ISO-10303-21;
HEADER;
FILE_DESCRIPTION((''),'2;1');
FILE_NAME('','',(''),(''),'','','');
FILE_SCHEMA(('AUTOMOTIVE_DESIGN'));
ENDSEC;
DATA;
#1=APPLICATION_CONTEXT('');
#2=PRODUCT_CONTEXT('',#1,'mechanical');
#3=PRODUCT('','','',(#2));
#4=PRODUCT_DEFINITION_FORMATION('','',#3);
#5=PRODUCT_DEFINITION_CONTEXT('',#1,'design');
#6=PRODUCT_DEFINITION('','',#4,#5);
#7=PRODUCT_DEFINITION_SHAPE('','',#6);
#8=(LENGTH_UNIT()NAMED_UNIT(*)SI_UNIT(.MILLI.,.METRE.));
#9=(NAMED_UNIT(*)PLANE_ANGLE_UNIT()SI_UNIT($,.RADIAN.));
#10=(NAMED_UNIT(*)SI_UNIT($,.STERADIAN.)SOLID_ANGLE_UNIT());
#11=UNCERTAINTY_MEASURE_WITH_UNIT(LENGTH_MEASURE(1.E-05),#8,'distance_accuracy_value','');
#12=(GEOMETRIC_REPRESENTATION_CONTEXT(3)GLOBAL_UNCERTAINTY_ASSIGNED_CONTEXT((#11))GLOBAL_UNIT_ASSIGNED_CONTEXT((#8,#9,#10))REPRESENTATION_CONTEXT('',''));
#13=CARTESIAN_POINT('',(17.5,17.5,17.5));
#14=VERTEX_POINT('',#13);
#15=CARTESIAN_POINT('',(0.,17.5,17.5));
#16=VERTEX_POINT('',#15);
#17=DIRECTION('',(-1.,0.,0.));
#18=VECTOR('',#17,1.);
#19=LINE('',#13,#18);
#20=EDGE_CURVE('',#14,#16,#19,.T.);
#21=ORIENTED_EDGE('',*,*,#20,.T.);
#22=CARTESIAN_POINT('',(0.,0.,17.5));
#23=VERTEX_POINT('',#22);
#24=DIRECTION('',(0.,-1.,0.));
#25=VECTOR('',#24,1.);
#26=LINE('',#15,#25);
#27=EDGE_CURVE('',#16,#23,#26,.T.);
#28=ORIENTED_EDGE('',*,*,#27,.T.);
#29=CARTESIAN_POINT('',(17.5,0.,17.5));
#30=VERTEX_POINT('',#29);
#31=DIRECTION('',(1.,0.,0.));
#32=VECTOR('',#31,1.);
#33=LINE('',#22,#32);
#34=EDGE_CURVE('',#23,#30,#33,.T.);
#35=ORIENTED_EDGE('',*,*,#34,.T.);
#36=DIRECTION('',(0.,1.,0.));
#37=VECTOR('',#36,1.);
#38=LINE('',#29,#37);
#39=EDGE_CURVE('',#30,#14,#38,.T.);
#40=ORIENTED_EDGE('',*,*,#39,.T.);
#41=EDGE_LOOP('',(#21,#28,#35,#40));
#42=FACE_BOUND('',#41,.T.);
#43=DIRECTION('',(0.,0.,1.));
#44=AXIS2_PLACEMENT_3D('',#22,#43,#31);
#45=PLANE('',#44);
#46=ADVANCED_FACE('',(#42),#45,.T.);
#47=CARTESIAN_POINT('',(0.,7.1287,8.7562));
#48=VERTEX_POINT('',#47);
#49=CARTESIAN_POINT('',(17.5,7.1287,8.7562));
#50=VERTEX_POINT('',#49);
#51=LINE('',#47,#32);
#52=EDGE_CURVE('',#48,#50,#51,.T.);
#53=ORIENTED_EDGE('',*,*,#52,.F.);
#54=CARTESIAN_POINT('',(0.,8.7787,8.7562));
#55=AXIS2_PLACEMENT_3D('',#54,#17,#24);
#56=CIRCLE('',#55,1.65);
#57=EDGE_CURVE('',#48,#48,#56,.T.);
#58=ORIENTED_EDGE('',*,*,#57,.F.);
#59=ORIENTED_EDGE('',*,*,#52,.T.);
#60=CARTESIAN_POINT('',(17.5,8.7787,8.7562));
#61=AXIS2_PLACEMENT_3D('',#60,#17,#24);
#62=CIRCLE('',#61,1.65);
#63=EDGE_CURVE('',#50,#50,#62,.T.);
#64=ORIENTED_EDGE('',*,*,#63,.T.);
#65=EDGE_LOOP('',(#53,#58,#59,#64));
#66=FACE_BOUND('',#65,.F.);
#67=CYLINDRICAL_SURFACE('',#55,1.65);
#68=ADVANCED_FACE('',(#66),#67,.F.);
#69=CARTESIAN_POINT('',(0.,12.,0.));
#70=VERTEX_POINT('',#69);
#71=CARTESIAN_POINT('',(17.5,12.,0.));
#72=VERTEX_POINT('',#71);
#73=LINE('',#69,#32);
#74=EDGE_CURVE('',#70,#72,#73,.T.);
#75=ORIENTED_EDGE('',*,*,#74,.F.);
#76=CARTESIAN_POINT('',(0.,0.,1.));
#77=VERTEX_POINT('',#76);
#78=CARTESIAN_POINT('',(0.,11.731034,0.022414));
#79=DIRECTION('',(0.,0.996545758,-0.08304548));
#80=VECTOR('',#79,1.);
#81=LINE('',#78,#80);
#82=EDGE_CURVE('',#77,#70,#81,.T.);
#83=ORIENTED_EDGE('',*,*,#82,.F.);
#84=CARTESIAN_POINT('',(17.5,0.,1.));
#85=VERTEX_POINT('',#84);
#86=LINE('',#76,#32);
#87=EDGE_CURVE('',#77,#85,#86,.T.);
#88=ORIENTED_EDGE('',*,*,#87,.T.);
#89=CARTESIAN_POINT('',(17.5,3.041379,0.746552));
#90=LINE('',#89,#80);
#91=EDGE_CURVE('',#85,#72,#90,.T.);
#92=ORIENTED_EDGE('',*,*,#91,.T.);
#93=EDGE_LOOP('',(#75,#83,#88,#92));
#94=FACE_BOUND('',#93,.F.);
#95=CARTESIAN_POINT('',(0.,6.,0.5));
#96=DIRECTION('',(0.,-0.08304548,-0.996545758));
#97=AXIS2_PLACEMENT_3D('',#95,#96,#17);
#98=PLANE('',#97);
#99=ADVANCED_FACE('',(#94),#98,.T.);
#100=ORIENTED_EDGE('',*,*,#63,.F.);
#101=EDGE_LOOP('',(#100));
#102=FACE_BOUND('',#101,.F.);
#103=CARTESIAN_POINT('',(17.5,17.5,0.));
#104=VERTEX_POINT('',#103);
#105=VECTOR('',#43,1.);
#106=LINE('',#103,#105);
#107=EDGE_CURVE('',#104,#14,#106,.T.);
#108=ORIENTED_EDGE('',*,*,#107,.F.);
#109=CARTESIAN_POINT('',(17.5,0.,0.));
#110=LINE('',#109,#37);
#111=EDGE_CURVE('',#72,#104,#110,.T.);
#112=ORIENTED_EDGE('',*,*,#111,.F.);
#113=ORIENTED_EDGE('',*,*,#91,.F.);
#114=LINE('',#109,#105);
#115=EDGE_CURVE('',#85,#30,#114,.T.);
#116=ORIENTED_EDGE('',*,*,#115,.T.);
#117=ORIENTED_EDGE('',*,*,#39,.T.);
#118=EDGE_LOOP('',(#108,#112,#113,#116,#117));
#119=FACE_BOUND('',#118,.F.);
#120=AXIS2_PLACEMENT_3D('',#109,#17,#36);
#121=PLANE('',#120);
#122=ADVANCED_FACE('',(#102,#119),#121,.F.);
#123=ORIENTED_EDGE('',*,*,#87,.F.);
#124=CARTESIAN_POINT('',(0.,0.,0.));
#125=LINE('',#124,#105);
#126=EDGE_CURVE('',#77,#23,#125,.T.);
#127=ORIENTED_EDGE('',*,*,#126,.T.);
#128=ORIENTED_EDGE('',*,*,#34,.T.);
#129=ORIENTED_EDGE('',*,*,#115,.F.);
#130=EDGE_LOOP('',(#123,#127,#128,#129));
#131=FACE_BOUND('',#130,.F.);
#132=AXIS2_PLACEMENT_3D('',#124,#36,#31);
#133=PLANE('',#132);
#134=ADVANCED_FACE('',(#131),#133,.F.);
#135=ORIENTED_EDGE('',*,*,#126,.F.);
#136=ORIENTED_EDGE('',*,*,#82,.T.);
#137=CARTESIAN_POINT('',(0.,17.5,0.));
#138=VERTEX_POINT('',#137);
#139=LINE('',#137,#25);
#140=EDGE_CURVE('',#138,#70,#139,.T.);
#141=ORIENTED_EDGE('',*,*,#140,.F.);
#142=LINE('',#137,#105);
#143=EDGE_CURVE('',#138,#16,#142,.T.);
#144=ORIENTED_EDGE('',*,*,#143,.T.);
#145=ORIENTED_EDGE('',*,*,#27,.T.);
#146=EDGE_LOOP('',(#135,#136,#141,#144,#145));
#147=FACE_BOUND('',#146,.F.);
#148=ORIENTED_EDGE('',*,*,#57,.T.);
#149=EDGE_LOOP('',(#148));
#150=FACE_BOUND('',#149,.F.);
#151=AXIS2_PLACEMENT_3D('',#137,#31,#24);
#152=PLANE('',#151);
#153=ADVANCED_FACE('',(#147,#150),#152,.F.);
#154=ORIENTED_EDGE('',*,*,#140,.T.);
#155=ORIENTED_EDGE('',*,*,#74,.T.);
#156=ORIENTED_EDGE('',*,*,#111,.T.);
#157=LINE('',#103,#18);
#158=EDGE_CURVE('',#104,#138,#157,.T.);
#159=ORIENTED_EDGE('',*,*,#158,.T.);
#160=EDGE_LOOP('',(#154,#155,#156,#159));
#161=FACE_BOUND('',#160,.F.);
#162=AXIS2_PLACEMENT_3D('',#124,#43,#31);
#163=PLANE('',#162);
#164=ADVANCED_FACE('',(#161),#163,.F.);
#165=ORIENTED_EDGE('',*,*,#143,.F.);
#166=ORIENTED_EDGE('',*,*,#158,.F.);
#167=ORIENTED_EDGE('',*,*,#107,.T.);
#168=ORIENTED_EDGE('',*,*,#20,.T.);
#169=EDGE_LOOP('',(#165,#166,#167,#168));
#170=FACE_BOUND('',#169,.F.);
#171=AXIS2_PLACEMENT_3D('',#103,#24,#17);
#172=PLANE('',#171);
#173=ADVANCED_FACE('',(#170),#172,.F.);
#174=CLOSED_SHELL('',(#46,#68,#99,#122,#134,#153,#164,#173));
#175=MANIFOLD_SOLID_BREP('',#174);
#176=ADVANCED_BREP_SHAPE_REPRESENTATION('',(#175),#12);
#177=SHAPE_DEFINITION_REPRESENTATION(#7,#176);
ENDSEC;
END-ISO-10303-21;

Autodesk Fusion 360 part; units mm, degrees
sketch "Sketch1" plane through (0, 0, 0) normal (0, 0, 1) x (1, 0, 0)
  line L0 (0, 0) -> (17.5, 0)
  line L1 (17.5, 0) -> (17.5, 17.5)
  line L2 (17.5, 17.5) -> (0, 17.5)
  line L3 (0, 17.5) -> (0, 0)
  dimension "d1" = 17.5
  dimension "d2" = 17.5
extrude "Extrude1" add sketch "Sketch1" along normal blind 17.5
sketch "Sketch2" plane through (0, 0, 0) normal (-1, 0, 0) x (0, -1, 0)
  line L0 (-17.5, 0) -> (0, 0)
  line L1 (0, 0) -> (0, 17.5)
  line L2 (0, 17.5) -> (-17.5, 17.5)
  line L3 (-17.5, 17.5) -> (-17.5, 0)
  circle A0 centre (-8.7787, 8.7562) radius 8.7563
  circle A1 centre (-8.7787, 8.7562) radius 1.65
  dimension "d5" = 3.3
extrude "Extrude2" cut sketch "Sketch2" against normal blind 33 contours A1
chamfer "Chamfer1" distance 1 distance2 12 1 edges at (8.75, 0, 0) measured on face at (5.8333, 0, 5.8333)
